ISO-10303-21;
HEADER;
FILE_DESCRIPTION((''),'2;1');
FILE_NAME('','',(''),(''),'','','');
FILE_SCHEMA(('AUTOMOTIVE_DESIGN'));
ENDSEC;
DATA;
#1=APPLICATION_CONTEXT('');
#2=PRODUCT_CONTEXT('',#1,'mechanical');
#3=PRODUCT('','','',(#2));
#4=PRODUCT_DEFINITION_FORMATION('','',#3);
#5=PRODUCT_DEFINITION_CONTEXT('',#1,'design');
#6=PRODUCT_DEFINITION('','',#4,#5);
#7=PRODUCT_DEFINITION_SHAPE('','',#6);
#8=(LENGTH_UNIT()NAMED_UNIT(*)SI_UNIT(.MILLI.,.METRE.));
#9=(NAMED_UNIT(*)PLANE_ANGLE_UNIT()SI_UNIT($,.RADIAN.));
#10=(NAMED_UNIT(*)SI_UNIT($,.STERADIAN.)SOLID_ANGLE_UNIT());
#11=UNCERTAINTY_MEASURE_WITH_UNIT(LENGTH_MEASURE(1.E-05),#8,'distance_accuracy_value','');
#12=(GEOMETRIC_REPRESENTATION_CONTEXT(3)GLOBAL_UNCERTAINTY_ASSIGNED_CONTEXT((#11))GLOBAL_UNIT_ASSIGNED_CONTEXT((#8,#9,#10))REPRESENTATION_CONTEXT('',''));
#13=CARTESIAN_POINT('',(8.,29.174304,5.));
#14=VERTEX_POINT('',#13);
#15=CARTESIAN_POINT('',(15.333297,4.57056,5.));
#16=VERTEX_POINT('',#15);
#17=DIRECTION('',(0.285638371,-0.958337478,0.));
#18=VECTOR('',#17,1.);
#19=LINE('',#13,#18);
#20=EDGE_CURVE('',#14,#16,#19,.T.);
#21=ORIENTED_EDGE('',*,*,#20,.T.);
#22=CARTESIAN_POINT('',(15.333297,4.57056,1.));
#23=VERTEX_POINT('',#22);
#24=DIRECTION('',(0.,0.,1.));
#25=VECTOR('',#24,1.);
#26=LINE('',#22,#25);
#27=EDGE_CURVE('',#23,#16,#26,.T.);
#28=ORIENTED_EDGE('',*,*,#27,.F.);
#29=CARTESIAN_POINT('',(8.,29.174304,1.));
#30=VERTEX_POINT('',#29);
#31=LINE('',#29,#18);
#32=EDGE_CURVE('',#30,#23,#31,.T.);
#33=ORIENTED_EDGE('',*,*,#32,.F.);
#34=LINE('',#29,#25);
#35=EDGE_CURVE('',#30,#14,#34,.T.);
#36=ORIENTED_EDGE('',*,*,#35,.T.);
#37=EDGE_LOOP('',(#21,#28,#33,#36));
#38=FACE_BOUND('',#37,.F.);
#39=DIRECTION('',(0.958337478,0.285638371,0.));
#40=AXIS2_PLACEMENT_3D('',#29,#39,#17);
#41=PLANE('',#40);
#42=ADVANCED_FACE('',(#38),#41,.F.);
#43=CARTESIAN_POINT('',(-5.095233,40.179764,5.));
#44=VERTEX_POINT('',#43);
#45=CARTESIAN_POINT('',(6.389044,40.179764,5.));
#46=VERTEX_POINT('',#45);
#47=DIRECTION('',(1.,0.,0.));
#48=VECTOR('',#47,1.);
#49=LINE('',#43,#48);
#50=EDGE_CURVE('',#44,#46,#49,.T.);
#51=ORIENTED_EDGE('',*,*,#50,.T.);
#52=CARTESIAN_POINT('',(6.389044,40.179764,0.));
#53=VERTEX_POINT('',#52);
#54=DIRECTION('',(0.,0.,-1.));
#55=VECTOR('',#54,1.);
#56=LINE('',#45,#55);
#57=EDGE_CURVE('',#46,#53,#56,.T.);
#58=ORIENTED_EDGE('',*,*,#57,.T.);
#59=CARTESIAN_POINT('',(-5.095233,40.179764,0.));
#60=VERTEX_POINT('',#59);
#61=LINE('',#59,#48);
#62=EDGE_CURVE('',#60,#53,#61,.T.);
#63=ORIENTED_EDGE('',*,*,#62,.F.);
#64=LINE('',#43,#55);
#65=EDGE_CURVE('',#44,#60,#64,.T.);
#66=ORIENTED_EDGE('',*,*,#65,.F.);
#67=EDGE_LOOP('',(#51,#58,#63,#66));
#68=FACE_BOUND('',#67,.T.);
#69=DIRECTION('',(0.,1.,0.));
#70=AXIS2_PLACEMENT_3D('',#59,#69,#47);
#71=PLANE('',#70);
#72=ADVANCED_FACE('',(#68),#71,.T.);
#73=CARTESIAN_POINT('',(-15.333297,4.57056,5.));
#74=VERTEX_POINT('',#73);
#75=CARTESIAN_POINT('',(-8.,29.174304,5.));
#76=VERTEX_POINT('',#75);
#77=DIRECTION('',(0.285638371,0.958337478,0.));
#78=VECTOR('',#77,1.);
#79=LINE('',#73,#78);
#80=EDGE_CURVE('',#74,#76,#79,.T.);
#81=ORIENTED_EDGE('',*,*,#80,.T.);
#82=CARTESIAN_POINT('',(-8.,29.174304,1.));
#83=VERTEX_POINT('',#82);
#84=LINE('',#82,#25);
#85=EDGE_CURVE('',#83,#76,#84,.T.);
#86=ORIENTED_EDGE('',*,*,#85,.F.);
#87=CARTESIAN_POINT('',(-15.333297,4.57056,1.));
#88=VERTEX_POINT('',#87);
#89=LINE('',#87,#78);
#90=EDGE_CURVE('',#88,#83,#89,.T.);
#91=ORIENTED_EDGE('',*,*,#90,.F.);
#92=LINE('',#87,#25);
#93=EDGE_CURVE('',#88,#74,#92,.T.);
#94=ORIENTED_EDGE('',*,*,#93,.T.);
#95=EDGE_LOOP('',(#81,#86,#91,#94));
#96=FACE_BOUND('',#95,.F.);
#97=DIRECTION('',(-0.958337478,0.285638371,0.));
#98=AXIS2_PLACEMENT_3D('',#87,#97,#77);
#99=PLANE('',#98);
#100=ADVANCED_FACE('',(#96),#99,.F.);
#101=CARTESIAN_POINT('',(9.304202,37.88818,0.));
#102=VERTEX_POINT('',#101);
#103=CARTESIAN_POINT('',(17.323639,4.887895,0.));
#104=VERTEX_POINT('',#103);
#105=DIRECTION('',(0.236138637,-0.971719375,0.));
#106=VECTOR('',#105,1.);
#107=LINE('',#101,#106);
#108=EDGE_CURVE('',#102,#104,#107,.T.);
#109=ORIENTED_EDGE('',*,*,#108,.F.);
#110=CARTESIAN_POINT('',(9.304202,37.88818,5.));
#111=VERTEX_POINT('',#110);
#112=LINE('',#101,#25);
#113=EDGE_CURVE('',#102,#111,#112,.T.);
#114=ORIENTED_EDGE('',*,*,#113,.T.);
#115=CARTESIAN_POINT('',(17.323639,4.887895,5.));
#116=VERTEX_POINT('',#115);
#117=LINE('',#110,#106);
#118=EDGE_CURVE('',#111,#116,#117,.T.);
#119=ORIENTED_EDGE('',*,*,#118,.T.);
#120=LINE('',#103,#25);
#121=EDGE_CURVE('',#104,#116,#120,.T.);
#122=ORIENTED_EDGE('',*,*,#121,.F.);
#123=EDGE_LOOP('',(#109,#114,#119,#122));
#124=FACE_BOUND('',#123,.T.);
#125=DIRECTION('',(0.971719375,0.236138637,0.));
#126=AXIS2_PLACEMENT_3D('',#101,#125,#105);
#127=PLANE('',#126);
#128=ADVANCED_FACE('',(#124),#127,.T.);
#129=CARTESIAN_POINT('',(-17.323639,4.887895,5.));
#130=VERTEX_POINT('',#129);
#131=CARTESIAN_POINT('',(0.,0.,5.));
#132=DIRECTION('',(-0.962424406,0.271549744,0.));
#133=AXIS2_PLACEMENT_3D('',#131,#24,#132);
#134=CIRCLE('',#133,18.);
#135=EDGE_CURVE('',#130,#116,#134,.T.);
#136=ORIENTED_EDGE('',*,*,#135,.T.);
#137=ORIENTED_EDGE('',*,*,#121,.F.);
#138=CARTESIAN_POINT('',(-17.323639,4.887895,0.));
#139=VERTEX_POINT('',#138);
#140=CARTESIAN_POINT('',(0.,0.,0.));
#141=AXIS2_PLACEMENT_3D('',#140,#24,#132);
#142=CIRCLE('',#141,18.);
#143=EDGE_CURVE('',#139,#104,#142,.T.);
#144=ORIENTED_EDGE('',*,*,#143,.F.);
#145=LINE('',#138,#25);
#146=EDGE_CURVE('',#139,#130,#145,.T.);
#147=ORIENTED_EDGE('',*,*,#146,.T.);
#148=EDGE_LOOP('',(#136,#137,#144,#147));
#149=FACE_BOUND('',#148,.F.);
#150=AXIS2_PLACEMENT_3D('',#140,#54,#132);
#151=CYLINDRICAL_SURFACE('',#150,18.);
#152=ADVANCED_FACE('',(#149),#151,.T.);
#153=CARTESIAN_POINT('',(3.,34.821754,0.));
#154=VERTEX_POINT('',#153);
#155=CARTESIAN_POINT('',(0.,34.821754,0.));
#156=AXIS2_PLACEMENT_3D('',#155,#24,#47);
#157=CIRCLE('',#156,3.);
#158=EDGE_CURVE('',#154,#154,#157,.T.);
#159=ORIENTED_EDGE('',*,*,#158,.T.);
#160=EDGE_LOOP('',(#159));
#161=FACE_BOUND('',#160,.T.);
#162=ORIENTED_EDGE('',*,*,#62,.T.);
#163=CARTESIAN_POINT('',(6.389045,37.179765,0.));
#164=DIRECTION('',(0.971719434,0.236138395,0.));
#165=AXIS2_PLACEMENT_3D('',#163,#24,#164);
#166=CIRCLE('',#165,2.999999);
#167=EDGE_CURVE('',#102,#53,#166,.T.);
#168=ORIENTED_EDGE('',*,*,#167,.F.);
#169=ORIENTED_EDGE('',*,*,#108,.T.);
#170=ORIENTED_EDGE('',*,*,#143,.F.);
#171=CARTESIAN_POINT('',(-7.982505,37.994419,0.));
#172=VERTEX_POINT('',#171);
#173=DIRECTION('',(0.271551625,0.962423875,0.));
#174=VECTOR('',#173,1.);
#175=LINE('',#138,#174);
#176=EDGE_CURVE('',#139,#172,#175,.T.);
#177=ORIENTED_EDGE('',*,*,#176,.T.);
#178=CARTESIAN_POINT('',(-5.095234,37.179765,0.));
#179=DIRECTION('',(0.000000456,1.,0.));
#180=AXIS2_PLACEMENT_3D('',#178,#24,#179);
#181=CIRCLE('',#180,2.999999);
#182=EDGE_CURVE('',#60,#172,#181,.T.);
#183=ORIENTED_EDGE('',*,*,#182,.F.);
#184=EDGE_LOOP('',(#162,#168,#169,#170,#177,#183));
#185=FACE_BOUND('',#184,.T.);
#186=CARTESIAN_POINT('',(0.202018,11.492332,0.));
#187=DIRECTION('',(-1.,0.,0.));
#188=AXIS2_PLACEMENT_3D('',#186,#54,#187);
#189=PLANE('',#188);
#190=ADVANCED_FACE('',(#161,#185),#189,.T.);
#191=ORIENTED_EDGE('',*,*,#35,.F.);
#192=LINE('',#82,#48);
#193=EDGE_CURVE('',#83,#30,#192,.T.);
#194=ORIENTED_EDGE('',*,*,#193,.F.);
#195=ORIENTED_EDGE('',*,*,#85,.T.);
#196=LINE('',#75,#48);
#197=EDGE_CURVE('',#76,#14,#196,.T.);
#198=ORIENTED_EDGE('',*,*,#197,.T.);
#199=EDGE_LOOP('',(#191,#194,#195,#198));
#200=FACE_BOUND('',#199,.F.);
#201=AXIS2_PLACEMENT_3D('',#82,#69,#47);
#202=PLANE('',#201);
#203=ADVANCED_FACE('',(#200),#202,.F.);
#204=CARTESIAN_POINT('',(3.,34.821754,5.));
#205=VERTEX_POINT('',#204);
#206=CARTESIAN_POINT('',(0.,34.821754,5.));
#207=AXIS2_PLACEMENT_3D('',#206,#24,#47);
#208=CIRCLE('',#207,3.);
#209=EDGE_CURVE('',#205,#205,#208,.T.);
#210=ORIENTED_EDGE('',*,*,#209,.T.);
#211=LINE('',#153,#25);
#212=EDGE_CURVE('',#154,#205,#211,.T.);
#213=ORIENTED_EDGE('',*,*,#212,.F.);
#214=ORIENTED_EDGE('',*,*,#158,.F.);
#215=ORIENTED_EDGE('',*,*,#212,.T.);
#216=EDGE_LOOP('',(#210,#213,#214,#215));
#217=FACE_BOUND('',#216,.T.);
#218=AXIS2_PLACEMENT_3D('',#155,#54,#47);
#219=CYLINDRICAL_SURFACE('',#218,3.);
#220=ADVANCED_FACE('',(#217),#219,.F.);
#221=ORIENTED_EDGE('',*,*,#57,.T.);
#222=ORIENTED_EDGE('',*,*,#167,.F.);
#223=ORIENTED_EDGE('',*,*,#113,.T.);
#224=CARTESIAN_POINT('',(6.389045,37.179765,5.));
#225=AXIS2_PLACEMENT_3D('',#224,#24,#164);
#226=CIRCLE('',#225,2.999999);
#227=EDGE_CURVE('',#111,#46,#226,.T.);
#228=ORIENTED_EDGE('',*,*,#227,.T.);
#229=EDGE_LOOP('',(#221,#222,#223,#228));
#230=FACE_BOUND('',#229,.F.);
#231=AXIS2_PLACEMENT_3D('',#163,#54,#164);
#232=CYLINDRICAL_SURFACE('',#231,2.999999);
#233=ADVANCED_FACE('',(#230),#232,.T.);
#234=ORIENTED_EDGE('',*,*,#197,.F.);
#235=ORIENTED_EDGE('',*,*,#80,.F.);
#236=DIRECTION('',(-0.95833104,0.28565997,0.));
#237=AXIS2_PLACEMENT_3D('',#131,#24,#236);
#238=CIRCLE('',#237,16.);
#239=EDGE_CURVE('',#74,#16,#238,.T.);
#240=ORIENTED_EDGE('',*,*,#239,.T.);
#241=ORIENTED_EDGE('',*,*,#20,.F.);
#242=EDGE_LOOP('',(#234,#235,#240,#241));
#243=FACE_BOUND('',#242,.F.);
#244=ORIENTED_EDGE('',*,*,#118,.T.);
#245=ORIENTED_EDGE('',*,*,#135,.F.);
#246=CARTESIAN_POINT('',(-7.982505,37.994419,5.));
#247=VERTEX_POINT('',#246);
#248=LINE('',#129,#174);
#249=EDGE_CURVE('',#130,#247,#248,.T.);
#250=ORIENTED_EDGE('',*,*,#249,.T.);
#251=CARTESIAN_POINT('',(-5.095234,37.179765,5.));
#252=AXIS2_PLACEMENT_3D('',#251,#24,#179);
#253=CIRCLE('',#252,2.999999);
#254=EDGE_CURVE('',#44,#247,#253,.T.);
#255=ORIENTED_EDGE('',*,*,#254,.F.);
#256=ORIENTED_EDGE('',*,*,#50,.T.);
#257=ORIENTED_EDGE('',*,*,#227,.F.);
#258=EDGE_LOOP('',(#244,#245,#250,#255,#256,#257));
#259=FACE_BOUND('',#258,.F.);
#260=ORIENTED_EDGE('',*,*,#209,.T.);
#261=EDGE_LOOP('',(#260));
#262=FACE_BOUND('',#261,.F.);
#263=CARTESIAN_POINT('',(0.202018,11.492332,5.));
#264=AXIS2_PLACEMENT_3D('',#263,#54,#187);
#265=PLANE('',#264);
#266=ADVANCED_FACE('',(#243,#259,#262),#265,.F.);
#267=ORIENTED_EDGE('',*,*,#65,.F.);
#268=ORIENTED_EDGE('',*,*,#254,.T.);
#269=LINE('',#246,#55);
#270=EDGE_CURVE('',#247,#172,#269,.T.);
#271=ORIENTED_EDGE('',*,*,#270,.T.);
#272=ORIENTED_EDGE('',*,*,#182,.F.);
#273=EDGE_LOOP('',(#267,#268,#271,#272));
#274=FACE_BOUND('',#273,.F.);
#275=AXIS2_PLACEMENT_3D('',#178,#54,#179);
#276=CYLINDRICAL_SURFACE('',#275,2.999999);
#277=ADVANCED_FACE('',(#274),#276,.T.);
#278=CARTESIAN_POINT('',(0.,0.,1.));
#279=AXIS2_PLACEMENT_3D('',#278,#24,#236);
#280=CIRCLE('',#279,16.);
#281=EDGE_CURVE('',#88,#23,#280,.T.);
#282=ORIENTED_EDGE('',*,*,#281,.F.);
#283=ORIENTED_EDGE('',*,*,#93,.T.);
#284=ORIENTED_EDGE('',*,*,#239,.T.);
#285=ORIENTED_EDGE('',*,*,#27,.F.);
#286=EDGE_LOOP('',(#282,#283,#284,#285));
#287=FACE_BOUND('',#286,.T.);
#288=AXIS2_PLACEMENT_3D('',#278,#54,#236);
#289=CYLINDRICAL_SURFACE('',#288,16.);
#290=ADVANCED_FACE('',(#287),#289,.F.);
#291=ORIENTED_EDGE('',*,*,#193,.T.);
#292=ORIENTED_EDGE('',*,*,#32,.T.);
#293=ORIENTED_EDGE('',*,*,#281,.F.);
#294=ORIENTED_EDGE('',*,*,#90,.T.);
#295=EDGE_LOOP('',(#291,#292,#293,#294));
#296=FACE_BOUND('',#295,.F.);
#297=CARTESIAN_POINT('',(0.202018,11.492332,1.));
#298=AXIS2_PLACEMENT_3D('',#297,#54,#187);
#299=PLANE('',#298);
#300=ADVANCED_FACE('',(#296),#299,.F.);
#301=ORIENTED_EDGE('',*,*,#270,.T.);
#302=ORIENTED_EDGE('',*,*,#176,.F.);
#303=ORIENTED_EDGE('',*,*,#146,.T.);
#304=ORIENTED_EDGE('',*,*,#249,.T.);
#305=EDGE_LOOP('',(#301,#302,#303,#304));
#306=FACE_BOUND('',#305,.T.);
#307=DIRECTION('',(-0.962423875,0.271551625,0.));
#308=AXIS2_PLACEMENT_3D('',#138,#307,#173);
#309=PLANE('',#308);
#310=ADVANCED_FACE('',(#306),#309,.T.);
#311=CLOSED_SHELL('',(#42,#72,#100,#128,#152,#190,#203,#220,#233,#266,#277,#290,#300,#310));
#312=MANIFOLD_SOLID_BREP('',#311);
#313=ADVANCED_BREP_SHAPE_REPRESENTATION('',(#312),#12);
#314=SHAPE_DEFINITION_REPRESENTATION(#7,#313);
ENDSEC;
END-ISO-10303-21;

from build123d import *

# Parameters (mm, degrees)
SKETCH003_R  = 3
PAD001_DEPTH = 1
SKETCH_R     = 3
PAD_DEPTH    = 4


with BuildPart() as bottom_body:
    # Sketch003 → Pad001 (new body)
    with BuildSketch(Plane.XY):
        with BuildLine():
            Line((-17.323639, 4.887895), (-7.982505, 37.994419))
            ThreePointArc((-5.095233, 40.179764), (-6.905763, 39.571831), (-7.982505, 37.994419))
            Line((-5.095233, 40.179764), (6.389044, 40.179764))
            ThreePointArc((9.304202, 37.88818), (8.24306, 39.538286), (6.389044, 40.179764))
            Line((9.304202, 37.88818), (17.323639, 4.887895))
            ThreePointArc((-17.323639, 4.887895), (0, -18), (17.323639, 4.887895))
        make_face()
        with Locations((0, 34.821754)):
            Circle(SKETCH003_R, mode=Mode.SUBTRACT)
    extrude(amount=PAD001_DEPTH)


with BuildPart() as fusion:
    # Sketch → Pad (new body)
    with BuildSketch(Plane.XY):
        with BuildLine():
            Line((-17.323639, 4.887895), (-7.982505, 37.994419))
            ThreePointArc((-5.095233, 40.179764), (-6.905763, 39.571831), (-7.982505, 37.994419))
            Line((-5.095233, 40.179764), (6.389044, 40.179764))
            ThreePointArc((9.304202, 37.88818), (8.24306, 39.538286), (6.389044, 40.179764))
            Line((9.304202, 37.88818), (17.323639, 4.887895))
            ThreePointArc((-17.323639, 4.887895), (0, -18), (17.323639, 4.887895))
        make_face()
        with Locations((0, 34.821754)):
            Circle(SKETCH_R, mode=Mode.SUBTRACT)
        with BuildLine():
            Line((-15.333297, 4.57056), (-8, 29.174304))
            Line((-8, 29.174304), (8, 29.174304))
            Line((8, 29.174304), (15.333297, 4.57056))
            ThreePointArc((-15.333297, 4.57056), (0, -16), (15.333297, 4.57056))
        make_face(mode=Mode.SUBTRACT)
    extrude(amount=PAD_DEPTH)


with BuildPart() as fusion_1:
    # Body placement: moved
    add(fusion.part.moved(Location((0, 0, 1))))

    # Fusion: union bottom body
    add(bottom_body.part)


solid = fusion_1.part
